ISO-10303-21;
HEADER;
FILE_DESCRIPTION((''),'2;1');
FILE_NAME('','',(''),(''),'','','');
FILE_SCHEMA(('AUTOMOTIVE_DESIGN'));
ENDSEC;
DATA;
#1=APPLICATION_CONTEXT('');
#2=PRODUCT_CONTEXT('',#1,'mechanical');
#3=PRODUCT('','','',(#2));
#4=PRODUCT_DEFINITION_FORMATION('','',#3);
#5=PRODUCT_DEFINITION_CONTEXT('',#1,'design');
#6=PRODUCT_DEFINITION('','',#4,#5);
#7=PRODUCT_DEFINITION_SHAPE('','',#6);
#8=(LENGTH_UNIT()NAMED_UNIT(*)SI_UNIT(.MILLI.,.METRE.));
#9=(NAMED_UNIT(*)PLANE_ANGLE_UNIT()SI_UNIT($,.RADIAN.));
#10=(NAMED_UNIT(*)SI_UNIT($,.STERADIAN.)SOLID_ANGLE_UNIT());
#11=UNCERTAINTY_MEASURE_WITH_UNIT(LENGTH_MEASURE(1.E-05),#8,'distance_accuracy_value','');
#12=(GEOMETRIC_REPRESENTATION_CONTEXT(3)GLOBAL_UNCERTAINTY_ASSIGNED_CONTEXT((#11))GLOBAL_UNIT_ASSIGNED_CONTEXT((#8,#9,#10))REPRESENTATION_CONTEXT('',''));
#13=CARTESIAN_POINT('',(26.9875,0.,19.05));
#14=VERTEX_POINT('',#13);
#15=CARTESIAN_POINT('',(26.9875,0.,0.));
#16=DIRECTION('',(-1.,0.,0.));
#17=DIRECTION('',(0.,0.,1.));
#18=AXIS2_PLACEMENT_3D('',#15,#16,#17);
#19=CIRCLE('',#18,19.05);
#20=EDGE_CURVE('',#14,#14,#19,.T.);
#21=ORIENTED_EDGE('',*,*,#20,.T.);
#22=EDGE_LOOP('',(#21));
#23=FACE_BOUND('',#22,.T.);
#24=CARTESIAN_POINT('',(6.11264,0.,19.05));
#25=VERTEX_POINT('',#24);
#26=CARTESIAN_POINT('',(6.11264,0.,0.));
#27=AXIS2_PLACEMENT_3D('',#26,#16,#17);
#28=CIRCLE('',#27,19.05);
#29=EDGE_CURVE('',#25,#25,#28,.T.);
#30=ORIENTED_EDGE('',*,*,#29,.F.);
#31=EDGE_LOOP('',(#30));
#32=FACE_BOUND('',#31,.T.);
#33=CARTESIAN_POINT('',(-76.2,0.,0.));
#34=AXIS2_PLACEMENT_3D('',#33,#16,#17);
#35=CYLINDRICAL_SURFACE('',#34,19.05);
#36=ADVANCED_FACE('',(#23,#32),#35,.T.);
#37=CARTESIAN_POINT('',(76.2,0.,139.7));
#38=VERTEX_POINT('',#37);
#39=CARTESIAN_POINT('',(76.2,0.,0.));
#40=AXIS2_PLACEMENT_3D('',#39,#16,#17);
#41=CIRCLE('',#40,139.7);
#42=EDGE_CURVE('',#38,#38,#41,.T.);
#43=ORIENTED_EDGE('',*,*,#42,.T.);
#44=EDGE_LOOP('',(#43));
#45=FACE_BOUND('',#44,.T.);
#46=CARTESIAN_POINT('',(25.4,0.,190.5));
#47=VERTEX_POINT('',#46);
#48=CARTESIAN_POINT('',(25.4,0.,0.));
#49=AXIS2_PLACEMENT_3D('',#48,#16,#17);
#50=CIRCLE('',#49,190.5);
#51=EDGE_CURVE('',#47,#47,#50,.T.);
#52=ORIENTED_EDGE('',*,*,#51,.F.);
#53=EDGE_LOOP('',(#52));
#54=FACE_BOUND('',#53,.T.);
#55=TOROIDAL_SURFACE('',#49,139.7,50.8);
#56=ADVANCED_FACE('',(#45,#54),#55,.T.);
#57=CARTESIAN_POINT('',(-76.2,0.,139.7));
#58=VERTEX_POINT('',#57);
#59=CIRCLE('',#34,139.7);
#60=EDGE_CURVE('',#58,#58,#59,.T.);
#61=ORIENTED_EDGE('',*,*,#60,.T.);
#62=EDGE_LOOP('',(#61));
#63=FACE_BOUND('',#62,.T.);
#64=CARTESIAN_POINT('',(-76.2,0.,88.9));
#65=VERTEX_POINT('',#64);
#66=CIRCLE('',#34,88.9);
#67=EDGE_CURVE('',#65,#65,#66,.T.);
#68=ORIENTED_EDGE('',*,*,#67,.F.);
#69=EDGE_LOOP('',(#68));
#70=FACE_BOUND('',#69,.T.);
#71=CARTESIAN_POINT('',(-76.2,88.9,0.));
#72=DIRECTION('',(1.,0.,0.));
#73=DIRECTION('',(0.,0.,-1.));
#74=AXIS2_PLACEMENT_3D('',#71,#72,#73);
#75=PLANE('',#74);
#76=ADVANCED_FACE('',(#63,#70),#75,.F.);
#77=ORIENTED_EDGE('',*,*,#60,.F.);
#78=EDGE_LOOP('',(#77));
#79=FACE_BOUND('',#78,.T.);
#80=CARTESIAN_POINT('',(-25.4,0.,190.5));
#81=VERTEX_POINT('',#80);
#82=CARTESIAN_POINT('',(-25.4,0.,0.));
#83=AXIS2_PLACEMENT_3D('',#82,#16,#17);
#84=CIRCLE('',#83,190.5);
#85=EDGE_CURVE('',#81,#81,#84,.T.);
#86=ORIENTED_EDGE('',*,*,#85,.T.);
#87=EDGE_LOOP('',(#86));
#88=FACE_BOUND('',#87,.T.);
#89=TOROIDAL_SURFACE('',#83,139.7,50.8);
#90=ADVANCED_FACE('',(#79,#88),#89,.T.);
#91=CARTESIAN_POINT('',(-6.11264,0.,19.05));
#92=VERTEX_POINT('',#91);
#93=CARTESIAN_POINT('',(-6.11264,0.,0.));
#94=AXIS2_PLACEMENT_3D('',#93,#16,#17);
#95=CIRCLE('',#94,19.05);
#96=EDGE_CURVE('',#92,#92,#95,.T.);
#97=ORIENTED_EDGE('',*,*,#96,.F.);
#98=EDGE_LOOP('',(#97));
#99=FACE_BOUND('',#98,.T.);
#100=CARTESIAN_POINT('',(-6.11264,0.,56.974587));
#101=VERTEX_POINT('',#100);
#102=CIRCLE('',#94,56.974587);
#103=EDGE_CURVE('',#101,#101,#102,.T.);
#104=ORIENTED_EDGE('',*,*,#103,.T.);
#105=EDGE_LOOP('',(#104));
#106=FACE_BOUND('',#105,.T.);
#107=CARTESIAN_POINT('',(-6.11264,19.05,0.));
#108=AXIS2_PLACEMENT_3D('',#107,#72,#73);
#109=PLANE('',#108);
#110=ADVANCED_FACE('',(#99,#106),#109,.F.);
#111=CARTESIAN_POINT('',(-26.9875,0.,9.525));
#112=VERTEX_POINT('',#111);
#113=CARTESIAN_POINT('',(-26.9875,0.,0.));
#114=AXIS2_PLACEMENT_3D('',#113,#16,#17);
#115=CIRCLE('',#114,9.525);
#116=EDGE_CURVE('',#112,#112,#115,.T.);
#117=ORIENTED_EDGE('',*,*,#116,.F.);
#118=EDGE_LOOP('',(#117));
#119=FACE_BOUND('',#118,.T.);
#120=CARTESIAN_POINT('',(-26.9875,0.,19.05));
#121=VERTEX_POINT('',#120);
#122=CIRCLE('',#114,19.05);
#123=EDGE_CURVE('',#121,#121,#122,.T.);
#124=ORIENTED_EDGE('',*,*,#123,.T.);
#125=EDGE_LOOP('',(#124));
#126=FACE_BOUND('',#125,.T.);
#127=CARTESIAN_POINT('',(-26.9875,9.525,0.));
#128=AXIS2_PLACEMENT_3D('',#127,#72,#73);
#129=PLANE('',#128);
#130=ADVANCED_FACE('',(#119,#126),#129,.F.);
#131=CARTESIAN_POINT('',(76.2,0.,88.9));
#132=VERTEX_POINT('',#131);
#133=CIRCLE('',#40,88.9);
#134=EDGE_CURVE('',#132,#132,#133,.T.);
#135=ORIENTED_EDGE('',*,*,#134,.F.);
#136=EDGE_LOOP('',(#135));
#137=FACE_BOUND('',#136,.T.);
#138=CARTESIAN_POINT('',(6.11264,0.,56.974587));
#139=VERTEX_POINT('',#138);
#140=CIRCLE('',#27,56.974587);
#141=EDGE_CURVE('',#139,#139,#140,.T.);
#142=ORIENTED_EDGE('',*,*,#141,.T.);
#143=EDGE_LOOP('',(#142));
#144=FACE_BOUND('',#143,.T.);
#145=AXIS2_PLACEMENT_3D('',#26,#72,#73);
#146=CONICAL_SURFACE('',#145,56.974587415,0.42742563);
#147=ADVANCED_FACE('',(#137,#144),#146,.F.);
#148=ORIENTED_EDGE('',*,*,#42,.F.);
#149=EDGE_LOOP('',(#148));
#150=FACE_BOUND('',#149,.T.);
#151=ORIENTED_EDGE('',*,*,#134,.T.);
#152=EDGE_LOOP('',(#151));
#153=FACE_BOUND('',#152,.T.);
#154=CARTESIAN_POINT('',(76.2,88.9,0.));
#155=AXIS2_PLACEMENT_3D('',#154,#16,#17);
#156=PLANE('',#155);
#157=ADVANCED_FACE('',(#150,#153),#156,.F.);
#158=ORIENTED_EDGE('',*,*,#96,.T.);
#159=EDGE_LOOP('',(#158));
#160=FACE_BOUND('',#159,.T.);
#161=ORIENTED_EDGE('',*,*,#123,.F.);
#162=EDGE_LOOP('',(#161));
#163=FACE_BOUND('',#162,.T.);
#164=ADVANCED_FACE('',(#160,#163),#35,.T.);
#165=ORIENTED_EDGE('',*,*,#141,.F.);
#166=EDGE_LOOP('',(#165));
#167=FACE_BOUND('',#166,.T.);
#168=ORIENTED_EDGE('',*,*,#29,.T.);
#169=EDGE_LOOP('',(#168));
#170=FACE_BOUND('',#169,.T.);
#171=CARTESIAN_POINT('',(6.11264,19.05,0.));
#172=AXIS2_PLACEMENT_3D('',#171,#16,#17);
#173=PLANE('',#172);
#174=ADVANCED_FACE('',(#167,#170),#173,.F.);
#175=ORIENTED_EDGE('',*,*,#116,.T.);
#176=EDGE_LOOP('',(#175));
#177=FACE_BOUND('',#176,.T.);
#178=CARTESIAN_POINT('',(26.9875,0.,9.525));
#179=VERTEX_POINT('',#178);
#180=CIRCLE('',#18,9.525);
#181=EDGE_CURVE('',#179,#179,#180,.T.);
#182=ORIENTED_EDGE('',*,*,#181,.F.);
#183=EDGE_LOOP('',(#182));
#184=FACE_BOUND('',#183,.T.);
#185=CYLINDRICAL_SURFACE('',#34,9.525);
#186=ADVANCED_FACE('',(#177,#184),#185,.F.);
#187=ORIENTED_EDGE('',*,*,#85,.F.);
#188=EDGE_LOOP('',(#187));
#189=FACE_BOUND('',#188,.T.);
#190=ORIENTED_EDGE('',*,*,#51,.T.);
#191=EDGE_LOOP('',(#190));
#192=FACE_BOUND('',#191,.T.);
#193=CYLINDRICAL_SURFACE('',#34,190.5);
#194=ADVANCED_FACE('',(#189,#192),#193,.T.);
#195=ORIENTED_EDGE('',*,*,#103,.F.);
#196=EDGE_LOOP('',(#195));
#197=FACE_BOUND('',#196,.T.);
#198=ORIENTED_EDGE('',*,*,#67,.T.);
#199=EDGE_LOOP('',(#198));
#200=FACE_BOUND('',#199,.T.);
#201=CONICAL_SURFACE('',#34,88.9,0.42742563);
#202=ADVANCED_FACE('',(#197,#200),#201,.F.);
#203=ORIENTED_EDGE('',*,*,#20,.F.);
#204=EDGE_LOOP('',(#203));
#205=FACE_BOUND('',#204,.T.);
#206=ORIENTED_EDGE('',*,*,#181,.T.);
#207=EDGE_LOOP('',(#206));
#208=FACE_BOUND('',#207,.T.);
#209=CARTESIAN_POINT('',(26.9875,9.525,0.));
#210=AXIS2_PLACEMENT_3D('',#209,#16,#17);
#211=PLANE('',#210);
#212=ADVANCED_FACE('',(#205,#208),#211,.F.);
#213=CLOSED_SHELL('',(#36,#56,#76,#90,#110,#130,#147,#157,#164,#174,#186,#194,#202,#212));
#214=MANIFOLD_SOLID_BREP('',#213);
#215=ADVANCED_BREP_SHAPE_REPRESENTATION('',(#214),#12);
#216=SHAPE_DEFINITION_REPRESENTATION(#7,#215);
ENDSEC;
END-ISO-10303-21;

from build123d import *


with BuildPart() as part:
    # Sketch1 → Revolve1 (revolve)
    with BuildSketch(Plane.XY):
        with BuildLine():
            Line((-26.9875, 9.525), (26.9875, 9.525))
            Line((26.9875, 9.525), (26.9875, 19.05))
            Line((26.9875, 19.05), (6.112639692, 19.05))
            Line((6.112639692, 19.05), (6.112639692, 56.974587415))
            Line((6.112639692, 56.974587415), (76.2, 88.9))
            Line((76.2, 88.9), (76.2, 139.7))
            ThreePointArc((76.2, 139.7), (61.321024484, 175.621024484), (25.4, 190.5))
            Line((25.4, 190.5), (-25.4, 190.5))
            ThreePointArc((-25.4, 190.5), (-61.321024484, 175.621024484), (-76.2, 139.7))
            Line((-76.2, 139.7), (-76.2, 88.9))
            Line((-76.2, 88.9), (-6.112639692, 56.974587415))
            Line((-6.112639692, 56.974587415), (-6.112639692, 19.05))
            Line((-6.112639692, 19.05), (-26.9875, 19.05))
            Line((-26.9875, 19.05), (-26.9875, 9.525))
        make_face()
    revolve(axis=Axis((-76.2, 0, 0), (1, 0, 0)))


solid = part.part
